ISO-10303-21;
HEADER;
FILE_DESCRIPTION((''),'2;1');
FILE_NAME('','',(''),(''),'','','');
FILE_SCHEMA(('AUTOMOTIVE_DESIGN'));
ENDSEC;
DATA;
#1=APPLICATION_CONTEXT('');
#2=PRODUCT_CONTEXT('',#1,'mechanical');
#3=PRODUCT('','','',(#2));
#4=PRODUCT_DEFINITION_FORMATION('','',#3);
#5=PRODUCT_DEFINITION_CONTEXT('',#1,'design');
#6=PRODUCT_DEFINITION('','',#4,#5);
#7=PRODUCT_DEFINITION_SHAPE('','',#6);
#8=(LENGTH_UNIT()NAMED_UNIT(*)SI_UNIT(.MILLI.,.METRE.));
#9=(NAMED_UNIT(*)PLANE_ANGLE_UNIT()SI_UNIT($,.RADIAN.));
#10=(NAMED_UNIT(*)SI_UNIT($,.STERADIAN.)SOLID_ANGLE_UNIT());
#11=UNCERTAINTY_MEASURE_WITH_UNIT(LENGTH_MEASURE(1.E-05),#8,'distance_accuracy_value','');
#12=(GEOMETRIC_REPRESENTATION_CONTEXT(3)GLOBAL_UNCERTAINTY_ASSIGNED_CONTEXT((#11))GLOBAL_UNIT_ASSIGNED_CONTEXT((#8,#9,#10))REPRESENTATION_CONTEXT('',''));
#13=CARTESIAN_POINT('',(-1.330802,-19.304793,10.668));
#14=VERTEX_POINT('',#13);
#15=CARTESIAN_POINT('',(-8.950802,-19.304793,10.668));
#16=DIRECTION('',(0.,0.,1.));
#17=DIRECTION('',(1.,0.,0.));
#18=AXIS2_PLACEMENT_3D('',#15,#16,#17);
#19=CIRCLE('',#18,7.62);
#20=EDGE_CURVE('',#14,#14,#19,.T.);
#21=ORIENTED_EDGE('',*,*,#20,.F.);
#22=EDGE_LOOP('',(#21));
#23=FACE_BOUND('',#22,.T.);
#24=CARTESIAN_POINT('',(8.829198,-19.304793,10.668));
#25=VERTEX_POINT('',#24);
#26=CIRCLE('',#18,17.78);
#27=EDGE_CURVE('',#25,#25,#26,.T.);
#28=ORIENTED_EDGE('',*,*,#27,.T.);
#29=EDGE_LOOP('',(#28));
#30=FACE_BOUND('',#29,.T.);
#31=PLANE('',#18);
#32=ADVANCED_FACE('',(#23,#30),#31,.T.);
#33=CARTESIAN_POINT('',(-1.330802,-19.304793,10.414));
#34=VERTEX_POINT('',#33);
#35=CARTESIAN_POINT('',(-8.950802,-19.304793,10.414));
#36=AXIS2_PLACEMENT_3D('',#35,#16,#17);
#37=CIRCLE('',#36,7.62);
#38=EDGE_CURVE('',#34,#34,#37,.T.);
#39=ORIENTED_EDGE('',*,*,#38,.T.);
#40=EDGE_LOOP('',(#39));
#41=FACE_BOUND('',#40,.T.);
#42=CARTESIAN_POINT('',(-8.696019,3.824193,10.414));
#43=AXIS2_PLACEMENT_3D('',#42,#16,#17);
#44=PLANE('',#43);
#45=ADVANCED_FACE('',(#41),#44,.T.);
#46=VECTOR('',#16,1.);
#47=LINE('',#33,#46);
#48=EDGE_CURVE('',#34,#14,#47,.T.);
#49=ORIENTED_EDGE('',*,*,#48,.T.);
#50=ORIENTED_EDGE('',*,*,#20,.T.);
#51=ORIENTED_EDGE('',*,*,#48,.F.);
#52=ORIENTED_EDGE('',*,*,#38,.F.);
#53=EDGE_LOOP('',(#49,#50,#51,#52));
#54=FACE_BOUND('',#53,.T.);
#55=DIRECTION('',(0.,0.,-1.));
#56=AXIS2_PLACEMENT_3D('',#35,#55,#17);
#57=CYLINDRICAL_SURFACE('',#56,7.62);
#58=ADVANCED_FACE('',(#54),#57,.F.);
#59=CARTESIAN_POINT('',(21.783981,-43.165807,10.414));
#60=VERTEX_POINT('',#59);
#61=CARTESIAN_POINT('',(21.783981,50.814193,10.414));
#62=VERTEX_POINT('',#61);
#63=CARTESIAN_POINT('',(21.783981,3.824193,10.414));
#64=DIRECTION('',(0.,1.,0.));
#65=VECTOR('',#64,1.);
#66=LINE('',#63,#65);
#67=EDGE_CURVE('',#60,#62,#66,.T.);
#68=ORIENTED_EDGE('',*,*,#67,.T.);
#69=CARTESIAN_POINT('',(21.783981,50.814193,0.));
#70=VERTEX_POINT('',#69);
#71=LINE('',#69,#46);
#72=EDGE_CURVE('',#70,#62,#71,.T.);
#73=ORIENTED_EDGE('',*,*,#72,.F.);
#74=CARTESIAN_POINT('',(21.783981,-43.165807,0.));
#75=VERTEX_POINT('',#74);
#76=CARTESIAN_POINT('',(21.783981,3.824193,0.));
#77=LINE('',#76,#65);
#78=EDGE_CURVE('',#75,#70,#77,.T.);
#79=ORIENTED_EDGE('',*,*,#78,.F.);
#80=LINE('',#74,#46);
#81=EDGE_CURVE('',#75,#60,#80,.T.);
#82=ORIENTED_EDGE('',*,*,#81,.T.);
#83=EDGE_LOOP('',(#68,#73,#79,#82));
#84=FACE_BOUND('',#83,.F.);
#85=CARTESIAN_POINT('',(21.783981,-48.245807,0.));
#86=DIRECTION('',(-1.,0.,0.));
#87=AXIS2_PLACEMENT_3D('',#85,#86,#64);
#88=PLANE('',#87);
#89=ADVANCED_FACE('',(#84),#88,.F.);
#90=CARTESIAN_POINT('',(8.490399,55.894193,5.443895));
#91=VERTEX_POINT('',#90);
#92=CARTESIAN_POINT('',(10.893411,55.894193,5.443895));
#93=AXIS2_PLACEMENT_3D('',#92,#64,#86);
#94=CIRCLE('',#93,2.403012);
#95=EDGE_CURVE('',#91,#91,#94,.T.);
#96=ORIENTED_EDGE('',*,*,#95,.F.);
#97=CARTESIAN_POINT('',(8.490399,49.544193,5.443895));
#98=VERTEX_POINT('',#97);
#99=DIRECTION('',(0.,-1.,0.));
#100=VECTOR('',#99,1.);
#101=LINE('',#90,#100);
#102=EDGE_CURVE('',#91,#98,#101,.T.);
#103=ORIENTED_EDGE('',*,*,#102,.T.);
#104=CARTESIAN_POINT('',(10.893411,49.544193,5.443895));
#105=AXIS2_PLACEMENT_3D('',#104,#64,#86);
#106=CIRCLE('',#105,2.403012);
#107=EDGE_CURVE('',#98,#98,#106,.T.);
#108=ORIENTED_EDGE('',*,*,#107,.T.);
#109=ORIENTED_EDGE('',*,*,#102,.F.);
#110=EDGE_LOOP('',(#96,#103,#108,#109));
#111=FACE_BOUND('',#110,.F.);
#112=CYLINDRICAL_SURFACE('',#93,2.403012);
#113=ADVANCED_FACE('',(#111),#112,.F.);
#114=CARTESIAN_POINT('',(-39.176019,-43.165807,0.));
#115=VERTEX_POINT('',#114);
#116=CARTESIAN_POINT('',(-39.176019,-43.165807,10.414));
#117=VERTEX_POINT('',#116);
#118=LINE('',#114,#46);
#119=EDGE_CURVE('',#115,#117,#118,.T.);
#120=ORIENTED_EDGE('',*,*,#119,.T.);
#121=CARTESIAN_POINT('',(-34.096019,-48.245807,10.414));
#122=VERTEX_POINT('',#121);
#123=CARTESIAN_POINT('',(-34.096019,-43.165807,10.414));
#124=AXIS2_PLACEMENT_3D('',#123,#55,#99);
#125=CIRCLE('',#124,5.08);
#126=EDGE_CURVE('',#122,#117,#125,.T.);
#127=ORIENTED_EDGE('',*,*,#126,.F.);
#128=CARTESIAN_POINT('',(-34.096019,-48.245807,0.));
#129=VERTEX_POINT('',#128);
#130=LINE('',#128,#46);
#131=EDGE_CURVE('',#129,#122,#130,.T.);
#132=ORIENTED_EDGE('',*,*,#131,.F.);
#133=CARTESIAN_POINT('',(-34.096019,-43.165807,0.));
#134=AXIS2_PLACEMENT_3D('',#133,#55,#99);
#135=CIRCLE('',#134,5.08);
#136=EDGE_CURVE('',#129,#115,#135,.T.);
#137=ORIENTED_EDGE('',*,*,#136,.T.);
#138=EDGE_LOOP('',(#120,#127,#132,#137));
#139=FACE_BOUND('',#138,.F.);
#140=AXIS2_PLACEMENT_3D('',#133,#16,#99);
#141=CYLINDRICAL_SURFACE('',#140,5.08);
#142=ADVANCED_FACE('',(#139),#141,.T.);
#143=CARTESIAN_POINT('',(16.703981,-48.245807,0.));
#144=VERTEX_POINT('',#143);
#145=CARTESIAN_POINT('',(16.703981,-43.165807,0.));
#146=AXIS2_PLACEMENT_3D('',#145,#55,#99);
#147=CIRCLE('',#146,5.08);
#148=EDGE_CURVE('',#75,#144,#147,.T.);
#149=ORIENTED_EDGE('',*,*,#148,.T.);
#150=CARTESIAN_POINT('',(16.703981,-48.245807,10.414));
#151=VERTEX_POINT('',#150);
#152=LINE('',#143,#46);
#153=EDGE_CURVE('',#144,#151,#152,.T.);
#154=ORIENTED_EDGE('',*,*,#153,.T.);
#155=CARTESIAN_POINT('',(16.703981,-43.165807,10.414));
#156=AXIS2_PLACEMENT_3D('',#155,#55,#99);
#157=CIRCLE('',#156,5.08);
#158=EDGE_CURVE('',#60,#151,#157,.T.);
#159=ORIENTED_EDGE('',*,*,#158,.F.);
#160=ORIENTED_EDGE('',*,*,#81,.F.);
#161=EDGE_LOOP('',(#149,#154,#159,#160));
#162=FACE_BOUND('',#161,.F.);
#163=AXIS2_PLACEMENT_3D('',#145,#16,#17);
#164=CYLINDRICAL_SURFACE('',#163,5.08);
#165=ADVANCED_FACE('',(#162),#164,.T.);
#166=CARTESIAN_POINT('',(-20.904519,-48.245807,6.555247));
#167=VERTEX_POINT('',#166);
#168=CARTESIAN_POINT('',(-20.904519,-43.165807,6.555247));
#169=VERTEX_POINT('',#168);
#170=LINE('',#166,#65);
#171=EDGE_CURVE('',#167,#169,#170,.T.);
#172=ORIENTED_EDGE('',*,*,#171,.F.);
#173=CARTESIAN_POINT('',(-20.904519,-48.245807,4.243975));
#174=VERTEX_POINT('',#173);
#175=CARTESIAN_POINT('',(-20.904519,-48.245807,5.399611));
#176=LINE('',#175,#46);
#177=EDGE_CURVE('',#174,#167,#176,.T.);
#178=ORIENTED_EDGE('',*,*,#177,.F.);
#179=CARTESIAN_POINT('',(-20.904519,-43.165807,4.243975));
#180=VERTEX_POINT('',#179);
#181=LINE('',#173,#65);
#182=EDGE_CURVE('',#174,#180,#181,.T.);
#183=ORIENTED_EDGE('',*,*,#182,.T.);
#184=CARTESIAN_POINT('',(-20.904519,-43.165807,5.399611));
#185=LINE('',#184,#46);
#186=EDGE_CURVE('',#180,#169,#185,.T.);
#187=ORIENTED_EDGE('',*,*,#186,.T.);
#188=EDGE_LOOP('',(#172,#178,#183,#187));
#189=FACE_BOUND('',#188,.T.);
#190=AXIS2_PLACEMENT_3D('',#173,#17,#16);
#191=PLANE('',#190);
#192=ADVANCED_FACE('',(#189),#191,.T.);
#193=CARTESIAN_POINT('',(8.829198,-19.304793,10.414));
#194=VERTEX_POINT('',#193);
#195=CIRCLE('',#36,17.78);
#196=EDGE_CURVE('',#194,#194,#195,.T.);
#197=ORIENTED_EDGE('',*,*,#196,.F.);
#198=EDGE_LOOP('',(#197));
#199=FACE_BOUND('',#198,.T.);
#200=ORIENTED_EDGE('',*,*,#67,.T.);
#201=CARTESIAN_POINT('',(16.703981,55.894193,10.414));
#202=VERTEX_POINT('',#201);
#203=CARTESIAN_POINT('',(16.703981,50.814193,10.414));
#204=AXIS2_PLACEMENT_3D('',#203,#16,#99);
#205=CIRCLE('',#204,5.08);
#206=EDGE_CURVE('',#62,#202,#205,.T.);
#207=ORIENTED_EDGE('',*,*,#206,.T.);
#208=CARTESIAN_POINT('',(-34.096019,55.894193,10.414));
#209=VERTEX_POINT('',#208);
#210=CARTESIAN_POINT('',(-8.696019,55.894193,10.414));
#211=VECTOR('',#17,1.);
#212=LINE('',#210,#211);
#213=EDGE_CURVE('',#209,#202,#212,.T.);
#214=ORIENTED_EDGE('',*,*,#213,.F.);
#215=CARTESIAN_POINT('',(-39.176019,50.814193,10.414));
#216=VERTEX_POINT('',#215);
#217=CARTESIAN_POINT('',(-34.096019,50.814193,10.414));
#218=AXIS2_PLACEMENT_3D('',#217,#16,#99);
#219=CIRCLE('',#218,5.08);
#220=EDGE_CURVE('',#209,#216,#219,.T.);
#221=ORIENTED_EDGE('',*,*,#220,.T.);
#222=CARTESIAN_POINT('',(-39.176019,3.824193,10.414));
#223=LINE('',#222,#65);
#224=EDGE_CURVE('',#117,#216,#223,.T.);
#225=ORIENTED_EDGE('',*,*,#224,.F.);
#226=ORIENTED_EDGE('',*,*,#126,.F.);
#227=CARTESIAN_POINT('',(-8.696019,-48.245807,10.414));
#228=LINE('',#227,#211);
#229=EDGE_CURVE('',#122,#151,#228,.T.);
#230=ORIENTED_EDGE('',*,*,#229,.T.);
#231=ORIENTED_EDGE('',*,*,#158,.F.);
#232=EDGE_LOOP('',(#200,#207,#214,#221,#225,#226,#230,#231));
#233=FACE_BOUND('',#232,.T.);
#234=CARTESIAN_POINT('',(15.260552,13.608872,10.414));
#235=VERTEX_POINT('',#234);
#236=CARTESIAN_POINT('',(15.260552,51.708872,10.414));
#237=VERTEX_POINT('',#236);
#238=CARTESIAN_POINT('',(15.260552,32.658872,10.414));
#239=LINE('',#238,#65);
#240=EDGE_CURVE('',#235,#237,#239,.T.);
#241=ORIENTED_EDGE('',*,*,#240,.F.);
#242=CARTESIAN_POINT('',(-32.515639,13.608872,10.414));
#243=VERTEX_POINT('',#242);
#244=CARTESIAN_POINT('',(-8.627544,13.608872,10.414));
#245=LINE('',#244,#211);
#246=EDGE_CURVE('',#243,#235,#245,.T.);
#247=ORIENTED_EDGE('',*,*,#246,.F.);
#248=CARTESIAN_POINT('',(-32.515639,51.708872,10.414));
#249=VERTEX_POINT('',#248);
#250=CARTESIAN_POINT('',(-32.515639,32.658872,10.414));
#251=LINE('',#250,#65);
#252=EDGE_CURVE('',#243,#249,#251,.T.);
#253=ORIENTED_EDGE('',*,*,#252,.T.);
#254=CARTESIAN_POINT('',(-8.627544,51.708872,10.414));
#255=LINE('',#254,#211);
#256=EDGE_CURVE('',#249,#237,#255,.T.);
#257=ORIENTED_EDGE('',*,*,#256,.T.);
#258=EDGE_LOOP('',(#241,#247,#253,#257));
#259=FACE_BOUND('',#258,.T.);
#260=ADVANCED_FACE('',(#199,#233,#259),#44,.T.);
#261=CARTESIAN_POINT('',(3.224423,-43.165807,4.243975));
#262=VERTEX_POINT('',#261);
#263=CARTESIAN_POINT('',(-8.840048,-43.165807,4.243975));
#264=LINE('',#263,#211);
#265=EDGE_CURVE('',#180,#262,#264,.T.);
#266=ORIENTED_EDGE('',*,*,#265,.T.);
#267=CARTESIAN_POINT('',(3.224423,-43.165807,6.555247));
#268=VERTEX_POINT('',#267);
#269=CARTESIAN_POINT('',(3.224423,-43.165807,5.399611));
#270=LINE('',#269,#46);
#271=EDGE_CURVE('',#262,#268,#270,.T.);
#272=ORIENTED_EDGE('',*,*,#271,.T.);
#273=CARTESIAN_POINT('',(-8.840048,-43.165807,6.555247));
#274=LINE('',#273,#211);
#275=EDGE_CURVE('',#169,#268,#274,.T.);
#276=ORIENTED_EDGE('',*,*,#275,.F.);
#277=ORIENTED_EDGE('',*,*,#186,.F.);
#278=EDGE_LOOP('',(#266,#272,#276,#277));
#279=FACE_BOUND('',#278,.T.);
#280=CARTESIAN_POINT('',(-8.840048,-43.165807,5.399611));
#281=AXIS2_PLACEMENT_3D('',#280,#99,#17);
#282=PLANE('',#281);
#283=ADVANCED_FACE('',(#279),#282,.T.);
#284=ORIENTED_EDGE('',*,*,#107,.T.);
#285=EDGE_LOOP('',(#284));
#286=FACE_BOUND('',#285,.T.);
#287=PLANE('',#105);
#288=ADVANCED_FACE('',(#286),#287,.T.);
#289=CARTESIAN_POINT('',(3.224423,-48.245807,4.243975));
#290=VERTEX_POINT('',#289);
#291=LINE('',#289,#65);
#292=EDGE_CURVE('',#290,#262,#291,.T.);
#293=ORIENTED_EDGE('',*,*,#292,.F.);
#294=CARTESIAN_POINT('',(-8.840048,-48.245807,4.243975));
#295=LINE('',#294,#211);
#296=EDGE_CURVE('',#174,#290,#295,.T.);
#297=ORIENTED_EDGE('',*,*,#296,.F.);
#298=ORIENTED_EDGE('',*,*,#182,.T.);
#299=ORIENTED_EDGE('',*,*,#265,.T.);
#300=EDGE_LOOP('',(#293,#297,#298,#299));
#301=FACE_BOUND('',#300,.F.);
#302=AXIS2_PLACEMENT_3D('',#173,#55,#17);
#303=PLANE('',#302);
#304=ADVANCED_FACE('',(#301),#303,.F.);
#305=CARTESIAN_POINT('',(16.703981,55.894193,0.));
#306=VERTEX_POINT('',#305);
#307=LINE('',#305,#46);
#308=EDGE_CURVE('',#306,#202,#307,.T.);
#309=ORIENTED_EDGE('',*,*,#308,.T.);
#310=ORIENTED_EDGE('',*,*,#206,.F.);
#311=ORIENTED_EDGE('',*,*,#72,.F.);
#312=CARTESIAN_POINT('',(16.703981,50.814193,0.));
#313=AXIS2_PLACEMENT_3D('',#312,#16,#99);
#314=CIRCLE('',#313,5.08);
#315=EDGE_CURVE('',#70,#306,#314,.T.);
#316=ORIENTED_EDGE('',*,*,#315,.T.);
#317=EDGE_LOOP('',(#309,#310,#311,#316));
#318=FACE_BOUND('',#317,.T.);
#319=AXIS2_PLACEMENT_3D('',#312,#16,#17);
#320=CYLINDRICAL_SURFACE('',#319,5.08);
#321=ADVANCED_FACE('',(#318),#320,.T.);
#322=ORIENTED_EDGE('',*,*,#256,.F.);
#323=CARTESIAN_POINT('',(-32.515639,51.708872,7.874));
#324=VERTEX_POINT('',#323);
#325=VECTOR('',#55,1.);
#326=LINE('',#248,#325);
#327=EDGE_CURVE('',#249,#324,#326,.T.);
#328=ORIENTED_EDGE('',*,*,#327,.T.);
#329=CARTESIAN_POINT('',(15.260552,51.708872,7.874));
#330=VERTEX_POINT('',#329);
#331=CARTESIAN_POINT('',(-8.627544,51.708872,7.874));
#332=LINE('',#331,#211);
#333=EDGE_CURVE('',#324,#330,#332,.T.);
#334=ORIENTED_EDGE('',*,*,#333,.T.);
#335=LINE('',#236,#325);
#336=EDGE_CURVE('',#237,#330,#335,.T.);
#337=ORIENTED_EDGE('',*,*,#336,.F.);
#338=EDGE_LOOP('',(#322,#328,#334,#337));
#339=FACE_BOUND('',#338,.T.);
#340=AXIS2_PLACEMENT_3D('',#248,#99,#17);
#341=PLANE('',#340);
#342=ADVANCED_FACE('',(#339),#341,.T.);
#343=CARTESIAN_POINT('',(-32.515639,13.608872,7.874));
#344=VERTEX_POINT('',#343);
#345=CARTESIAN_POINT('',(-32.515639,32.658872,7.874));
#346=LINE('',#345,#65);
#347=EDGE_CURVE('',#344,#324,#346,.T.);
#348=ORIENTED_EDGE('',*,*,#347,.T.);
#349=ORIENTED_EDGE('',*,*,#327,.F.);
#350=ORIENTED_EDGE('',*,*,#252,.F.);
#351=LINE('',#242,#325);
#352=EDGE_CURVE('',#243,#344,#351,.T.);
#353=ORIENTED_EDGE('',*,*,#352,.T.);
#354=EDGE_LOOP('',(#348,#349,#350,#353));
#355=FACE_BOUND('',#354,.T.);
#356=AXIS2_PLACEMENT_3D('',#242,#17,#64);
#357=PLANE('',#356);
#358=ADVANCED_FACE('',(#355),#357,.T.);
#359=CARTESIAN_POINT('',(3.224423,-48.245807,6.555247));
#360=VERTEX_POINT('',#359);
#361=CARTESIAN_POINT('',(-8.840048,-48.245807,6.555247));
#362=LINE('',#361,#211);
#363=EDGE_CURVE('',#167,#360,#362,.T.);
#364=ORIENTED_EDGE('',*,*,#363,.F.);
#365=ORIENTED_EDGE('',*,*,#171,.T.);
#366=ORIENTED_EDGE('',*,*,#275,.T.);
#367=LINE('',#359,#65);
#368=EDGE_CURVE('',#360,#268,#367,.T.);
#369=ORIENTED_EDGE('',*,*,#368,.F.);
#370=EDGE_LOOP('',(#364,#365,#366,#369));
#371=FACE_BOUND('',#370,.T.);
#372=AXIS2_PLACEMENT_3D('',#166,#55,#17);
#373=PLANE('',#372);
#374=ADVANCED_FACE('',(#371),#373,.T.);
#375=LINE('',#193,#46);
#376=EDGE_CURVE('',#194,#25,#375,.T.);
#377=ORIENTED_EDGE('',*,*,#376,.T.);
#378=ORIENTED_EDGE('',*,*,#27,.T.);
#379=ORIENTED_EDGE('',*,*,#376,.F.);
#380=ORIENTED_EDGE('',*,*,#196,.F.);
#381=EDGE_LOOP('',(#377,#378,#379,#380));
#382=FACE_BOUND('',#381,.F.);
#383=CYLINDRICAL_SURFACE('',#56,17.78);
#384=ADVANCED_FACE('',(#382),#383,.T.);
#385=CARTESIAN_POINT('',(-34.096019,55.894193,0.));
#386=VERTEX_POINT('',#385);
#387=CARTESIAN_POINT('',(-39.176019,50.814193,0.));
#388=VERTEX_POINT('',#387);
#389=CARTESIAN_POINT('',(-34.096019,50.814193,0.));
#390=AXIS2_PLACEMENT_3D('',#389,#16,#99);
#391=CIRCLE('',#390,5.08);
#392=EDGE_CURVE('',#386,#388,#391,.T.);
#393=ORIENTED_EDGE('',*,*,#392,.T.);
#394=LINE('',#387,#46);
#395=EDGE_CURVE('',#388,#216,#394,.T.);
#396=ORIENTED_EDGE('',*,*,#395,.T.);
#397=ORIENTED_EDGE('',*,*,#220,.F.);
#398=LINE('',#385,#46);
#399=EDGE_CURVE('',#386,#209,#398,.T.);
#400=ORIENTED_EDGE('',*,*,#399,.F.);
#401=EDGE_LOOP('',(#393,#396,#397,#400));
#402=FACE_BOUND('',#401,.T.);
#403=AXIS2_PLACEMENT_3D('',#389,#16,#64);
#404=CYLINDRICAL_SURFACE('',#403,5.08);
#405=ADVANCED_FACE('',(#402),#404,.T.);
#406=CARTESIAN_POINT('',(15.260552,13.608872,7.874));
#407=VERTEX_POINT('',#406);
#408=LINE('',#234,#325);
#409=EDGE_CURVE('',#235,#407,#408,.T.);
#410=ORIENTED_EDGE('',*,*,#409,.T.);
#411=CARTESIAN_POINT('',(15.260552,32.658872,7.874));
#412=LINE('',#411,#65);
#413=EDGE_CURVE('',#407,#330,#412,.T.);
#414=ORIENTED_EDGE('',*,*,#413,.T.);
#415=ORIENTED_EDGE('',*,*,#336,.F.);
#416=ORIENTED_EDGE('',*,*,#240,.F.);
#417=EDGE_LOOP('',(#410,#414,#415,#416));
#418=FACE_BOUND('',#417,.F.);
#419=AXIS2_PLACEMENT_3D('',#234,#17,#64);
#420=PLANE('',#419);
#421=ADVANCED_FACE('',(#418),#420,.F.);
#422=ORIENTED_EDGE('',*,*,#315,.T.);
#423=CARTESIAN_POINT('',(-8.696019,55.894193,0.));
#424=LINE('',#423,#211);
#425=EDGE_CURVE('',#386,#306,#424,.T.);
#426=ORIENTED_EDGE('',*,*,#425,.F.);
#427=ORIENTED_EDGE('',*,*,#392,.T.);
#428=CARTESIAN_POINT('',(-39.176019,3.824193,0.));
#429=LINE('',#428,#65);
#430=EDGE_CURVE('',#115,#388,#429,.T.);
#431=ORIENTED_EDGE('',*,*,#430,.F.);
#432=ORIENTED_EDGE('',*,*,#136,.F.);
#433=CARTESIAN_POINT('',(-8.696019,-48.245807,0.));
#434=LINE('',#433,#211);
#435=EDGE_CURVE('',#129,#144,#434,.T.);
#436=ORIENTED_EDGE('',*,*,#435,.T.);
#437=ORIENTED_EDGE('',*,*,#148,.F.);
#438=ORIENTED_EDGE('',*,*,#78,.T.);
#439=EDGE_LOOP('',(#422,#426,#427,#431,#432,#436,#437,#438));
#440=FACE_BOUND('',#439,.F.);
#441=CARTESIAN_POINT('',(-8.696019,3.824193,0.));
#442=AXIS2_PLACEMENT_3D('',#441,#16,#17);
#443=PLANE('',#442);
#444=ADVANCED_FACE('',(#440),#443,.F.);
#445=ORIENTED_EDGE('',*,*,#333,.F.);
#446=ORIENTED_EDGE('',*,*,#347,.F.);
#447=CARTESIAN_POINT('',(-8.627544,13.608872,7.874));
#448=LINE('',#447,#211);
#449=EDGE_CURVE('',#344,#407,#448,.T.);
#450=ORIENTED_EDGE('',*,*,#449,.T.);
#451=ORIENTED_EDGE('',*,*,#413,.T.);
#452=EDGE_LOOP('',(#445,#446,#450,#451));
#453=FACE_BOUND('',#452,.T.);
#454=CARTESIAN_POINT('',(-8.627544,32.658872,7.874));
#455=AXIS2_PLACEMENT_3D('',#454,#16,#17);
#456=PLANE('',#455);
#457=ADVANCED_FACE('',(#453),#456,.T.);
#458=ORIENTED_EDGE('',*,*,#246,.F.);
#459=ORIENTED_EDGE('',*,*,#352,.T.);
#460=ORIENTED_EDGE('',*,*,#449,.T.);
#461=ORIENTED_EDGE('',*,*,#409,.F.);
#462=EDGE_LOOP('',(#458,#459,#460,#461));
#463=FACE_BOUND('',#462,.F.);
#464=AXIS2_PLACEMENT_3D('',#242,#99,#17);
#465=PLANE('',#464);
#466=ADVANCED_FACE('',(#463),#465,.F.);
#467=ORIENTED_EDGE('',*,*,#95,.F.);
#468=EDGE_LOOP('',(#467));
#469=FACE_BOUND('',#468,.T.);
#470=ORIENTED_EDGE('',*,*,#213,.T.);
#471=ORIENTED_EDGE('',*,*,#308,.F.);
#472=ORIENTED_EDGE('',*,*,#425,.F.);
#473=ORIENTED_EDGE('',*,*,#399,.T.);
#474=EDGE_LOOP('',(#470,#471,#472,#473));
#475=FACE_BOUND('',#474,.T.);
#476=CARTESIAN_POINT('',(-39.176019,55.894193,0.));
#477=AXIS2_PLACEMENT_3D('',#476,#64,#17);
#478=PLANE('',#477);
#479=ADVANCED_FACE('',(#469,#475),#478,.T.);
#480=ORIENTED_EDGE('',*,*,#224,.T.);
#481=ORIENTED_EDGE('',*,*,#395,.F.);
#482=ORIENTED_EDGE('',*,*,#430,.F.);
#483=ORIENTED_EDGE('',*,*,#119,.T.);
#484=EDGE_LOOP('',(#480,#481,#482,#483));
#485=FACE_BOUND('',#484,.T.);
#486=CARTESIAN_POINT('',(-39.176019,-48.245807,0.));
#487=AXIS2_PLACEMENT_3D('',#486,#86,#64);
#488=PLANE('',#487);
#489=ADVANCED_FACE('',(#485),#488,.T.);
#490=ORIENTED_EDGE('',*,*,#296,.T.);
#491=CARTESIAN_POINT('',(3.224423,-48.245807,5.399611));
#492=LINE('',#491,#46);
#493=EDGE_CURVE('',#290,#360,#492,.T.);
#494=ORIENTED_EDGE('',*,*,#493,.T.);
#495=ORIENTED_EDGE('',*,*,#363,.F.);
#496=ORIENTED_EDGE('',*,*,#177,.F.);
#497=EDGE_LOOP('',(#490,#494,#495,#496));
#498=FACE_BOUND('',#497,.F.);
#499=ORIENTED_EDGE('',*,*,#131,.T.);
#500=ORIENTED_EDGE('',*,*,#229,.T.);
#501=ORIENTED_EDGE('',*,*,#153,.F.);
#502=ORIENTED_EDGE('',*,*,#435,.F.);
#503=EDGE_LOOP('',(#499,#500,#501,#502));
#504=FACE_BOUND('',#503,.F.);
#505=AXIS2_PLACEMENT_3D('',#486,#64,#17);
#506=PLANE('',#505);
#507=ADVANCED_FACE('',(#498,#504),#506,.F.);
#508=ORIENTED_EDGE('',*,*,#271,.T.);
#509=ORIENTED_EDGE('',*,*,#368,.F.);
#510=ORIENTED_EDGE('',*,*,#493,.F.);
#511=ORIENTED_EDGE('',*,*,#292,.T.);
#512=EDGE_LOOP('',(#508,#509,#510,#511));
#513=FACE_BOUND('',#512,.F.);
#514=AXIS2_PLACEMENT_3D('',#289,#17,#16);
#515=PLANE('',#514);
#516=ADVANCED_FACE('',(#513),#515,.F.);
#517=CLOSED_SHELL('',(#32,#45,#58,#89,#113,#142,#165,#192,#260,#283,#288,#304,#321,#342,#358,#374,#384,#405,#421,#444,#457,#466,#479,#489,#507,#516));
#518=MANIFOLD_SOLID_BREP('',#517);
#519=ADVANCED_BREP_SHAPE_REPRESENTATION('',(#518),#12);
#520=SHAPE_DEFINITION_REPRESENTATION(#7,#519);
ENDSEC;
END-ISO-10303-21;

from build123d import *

# Parameters (mm, degrees)
F0_W      = 60.96
F0_H      = 104.14
F1_DEPTH  = 10.414
F2_R      = 5.08
F3_R      = 5.08
F4_R      = 5.08
F5_R      = 5.08
F6_W      = 47.776191
F6_H      = 38.1
F8_DEPTH  = 2.54
F7_R      = 17.78
F7_R_2    = 7.62
F9_DEPTH  = 0.254
F10_R     = 2.403012
F11_DEPTH = 6.35
F12_W     = 24.128942
F12_H     = 2.311272
F13_DEPTH = 5.08


with BuildPart() as f1:
    # F0 (on Top) → F1 (new body)
    with BuildSketch(Plane.XY):
        with Locations((-8.696019, 3.824193)):
            Rectangle(F0_W, F0_H)
    extrude(amount=F1_DEPTH)

    # F2
    f2_edges = [f1.edges().sort_by_distance(p)[0] for p in [
        (21.783981, 55.894193, 5.207),
    ]]
    fillet(f2_edges, radius=F2_R)

    # F3
    f3_edges = [f1.edges().sort_by_distance(p)[0] for p in [
        (-39.176019, 55.894193, 5.207),
    ]]
    fillet(f3_edges, radius=F3_R)

    # F4
    f4_edges = [f1.edges().sort_by_distance(p)[0] for p in [
        (21.783981, -48.245807, 5.207),
    ]]
    fillet(f4_edges, radius=F4_R)

    # F5
    f5_edges = [f1.edges().sort_by_distance(p)[0] for p in [
        (-39.176019, -48.245807, 5.207),
    ]]
    fillet(f5_edges, radius=F5_R)

    # F6 (on face) → F8 (cut)
    with BuildSketch(Plane.XY.offset(10.414)):
        with Locations((-8.627544, 32.658872)):
            Rectangle(F6_W, F6_H)
    extrude(amount=-F8_DEPTH, mode=Mode.SUBTRACT)

    # F7 (on face) → F9 (join)
    with BuildSketch(Plane.XY.offset(10.414)):
        with Locations((-8.950802, -19.304793)):
            Circle(F7_R)
        with Locations((-8.950802, -19.304793)):
            Circle(F7_R_2, mode=Mode.SUBTRACT)
    extrude(amount=F9_DEPTH)

    # F10 (on face) → F11 (cut)
    with BuildSketch(Plane(origin=(0, 55.894193, 0), x_dir=(-1, 0, 0), z_dir=(0, 1, 0))):
        with Locations((-10.893411, 5.443895)):
            Circle(F10_R)
    extrude(amount=-F11_DEPTH, mode=Mode.SUBTRACT)

    # F12 (on face) → F13 (cut)
    with BuildSketch(Plane.XZ.offset(48.245807)):
        with Locations((-8.840048, 5.399611)):
            Rectangle(F12_W, F12_H)
    extrude(amount=-F13_DEPTH, mode=Mode.SUBTRACT)


solid = f1.part
